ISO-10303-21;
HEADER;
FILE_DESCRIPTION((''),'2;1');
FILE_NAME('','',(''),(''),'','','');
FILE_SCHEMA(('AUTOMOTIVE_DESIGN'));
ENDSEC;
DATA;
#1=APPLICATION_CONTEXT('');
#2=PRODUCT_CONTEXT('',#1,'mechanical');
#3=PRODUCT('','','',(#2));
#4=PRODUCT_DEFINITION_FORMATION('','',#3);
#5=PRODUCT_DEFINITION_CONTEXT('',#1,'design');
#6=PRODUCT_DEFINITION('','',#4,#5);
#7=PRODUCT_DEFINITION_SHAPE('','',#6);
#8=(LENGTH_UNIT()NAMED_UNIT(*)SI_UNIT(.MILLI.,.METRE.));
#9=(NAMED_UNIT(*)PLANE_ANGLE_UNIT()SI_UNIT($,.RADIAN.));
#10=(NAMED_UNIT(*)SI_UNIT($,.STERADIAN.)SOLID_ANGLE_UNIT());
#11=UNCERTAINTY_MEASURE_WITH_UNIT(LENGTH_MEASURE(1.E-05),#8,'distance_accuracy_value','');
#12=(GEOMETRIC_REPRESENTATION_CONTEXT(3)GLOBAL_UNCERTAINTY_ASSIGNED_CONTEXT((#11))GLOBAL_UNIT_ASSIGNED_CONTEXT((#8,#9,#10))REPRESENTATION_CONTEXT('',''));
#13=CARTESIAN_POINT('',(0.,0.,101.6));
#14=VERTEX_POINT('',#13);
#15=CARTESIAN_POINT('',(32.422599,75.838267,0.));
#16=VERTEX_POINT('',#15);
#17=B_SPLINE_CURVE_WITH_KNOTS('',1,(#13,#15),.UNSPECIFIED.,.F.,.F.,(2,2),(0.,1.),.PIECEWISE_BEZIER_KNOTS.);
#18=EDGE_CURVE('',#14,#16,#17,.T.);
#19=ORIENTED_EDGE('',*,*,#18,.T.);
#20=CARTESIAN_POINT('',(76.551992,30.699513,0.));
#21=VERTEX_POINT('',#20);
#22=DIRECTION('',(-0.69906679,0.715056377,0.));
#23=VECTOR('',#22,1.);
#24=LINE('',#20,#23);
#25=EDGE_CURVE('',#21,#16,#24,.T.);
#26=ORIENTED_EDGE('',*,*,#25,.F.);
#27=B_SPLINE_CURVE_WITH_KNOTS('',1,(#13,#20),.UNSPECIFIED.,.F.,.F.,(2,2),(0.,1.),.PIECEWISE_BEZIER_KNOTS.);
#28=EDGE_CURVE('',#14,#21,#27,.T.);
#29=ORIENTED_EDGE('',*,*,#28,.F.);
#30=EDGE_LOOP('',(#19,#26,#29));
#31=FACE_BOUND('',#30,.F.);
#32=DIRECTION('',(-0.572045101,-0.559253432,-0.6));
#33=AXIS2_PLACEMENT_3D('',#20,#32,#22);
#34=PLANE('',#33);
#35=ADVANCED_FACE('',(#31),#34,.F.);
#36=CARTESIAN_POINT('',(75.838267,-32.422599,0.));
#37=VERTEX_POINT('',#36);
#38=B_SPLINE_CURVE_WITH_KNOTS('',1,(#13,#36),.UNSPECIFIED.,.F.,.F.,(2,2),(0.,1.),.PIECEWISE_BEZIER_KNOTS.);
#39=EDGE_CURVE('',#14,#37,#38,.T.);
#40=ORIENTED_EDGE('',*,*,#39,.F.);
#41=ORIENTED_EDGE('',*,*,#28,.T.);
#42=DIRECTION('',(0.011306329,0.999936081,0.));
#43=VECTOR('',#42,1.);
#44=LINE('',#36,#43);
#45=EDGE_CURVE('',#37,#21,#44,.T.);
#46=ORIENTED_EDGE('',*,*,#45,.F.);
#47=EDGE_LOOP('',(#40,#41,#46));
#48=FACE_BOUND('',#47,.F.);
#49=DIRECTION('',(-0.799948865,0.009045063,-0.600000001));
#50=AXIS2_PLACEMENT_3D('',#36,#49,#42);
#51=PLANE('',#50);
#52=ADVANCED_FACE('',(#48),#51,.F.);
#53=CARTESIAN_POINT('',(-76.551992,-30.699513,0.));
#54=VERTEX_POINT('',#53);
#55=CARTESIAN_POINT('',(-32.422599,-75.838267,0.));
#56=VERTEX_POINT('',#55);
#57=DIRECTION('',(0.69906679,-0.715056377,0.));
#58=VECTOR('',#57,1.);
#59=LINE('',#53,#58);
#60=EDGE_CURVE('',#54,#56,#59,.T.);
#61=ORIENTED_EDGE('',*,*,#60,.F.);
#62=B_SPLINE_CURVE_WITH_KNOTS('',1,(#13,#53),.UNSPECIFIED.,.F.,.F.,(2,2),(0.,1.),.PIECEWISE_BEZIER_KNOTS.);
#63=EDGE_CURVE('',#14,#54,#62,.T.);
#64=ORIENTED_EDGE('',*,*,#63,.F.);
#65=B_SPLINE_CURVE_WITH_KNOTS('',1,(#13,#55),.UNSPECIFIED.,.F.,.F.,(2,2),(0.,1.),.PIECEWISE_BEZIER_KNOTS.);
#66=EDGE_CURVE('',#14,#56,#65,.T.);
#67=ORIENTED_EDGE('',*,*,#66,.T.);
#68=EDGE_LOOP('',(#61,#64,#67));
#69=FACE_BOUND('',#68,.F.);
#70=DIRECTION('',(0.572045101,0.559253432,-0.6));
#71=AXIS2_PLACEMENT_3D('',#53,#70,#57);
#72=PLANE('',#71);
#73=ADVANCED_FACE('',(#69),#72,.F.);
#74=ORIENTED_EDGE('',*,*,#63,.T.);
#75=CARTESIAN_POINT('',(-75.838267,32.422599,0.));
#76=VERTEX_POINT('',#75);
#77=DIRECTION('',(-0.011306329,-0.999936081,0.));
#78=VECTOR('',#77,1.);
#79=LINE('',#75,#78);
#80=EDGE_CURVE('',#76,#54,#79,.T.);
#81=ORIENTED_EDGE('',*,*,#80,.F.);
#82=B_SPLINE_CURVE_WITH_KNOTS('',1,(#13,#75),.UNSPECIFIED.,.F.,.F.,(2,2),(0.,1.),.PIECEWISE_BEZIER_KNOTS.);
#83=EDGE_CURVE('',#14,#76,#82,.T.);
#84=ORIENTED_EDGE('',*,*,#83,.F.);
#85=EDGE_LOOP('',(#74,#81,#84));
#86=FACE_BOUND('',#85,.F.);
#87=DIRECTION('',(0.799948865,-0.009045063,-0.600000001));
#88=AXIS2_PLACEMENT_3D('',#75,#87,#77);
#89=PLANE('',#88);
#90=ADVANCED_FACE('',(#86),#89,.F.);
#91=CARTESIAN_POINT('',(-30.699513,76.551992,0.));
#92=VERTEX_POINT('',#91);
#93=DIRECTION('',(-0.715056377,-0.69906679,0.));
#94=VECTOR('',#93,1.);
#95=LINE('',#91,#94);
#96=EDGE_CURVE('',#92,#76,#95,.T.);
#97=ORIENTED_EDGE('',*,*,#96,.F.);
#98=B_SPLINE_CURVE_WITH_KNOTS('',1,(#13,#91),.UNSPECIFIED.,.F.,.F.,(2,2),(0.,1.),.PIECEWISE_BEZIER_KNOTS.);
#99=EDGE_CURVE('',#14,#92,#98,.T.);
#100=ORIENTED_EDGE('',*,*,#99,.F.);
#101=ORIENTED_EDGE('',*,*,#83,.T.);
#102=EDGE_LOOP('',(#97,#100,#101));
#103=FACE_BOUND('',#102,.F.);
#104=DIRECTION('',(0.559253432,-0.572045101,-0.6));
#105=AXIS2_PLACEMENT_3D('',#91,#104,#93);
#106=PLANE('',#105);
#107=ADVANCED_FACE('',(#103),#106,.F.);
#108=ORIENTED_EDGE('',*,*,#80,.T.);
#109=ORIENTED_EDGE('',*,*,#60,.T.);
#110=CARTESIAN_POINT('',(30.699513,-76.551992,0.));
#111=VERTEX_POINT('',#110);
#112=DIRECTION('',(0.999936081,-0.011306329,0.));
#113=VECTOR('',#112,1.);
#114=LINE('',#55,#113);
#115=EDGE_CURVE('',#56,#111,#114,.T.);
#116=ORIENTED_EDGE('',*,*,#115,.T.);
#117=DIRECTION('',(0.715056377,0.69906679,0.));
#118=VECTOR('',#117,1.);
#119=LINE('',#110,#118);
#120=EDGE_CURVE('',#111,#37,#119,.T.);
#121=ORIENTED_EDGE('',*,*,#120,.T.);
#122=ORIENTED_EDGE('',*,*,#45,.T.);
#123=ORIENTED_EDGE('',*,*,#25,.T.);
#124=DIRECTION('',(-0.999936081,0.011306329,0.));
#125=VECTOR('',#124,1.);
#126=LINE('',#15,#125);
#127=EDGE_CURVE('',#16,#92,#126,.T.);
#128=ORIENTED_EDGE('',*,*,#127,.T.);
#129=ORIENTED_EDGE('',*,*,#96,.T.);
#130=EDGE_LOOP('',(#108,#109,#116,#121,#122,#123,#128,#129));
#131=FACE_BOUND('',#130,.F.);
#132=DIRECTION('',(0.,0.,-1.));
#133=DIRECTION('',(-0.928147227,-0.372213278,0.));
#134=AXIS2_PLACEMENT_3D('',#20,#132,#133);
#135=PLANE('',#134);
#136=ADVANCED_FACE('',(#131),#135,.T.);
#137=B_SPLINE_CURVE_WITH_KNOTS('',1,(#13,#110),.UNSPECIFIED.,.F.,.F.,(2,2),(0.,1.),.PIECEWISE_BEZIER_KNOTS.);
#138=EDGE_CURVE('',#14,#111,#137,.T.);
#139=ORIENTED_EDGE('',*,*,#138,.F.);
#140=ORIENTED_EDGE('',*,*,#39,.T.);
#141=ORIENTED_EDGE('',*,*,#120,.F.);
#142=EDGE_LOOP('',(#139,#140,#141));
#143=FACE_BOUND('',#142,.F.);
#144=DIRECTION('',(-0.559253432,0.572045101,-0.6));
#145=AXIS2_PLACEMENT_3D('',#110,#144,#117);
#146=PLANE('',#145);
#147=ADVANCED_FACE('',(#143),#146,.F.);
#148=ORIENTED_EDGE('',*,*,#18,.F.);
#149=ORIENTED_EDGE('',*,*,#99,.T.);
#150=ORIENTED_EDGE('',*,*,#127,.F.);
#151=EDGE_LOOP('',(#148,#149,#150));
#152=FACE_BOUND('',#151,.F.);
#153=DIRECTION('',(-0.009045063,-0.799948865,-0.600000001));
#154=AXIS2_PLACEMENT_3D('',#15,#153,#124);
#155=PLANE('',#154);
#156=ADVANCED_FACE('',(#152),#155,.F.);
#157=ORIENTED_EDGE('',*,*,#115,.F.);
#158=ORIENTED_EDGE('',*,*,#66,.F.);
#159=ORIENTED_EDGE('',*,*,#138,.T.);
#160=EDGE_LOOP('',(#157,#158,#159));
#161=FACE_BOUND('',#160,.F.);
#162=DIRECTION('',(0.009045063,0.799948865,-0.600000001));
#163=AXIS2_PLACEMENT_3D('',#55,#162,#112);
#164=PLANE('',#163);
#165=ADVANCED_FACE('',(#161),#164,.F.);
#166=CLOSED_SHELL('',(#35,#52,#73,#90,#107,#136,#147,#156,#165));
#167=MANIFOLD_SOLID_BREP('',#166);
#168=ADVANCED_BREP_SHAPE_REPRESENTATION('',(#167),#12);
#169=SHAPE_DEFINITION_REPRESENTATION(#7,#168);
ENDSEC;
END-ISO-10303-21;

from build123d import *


with BuildPart() as f3:
    # F0 (on Top) → F3 section 0
    with BuildSketch(Plane.XY, mode=Mode.PRIVATE) as f3_s0:
        Polygon((76.551992, 30.699513), (32.422599, 75.838267), (-30.699513, 76.551992), (-75.838267, 32.422599), (-76.551992, -30.699513), (-32.422599, -75.838267), (30.699513, -76.551992), (75.838267, -32.422599), align=None)
    loft([Vertex(0, 0, 101.6), f3_s0.sketch])


solid = f3.part
